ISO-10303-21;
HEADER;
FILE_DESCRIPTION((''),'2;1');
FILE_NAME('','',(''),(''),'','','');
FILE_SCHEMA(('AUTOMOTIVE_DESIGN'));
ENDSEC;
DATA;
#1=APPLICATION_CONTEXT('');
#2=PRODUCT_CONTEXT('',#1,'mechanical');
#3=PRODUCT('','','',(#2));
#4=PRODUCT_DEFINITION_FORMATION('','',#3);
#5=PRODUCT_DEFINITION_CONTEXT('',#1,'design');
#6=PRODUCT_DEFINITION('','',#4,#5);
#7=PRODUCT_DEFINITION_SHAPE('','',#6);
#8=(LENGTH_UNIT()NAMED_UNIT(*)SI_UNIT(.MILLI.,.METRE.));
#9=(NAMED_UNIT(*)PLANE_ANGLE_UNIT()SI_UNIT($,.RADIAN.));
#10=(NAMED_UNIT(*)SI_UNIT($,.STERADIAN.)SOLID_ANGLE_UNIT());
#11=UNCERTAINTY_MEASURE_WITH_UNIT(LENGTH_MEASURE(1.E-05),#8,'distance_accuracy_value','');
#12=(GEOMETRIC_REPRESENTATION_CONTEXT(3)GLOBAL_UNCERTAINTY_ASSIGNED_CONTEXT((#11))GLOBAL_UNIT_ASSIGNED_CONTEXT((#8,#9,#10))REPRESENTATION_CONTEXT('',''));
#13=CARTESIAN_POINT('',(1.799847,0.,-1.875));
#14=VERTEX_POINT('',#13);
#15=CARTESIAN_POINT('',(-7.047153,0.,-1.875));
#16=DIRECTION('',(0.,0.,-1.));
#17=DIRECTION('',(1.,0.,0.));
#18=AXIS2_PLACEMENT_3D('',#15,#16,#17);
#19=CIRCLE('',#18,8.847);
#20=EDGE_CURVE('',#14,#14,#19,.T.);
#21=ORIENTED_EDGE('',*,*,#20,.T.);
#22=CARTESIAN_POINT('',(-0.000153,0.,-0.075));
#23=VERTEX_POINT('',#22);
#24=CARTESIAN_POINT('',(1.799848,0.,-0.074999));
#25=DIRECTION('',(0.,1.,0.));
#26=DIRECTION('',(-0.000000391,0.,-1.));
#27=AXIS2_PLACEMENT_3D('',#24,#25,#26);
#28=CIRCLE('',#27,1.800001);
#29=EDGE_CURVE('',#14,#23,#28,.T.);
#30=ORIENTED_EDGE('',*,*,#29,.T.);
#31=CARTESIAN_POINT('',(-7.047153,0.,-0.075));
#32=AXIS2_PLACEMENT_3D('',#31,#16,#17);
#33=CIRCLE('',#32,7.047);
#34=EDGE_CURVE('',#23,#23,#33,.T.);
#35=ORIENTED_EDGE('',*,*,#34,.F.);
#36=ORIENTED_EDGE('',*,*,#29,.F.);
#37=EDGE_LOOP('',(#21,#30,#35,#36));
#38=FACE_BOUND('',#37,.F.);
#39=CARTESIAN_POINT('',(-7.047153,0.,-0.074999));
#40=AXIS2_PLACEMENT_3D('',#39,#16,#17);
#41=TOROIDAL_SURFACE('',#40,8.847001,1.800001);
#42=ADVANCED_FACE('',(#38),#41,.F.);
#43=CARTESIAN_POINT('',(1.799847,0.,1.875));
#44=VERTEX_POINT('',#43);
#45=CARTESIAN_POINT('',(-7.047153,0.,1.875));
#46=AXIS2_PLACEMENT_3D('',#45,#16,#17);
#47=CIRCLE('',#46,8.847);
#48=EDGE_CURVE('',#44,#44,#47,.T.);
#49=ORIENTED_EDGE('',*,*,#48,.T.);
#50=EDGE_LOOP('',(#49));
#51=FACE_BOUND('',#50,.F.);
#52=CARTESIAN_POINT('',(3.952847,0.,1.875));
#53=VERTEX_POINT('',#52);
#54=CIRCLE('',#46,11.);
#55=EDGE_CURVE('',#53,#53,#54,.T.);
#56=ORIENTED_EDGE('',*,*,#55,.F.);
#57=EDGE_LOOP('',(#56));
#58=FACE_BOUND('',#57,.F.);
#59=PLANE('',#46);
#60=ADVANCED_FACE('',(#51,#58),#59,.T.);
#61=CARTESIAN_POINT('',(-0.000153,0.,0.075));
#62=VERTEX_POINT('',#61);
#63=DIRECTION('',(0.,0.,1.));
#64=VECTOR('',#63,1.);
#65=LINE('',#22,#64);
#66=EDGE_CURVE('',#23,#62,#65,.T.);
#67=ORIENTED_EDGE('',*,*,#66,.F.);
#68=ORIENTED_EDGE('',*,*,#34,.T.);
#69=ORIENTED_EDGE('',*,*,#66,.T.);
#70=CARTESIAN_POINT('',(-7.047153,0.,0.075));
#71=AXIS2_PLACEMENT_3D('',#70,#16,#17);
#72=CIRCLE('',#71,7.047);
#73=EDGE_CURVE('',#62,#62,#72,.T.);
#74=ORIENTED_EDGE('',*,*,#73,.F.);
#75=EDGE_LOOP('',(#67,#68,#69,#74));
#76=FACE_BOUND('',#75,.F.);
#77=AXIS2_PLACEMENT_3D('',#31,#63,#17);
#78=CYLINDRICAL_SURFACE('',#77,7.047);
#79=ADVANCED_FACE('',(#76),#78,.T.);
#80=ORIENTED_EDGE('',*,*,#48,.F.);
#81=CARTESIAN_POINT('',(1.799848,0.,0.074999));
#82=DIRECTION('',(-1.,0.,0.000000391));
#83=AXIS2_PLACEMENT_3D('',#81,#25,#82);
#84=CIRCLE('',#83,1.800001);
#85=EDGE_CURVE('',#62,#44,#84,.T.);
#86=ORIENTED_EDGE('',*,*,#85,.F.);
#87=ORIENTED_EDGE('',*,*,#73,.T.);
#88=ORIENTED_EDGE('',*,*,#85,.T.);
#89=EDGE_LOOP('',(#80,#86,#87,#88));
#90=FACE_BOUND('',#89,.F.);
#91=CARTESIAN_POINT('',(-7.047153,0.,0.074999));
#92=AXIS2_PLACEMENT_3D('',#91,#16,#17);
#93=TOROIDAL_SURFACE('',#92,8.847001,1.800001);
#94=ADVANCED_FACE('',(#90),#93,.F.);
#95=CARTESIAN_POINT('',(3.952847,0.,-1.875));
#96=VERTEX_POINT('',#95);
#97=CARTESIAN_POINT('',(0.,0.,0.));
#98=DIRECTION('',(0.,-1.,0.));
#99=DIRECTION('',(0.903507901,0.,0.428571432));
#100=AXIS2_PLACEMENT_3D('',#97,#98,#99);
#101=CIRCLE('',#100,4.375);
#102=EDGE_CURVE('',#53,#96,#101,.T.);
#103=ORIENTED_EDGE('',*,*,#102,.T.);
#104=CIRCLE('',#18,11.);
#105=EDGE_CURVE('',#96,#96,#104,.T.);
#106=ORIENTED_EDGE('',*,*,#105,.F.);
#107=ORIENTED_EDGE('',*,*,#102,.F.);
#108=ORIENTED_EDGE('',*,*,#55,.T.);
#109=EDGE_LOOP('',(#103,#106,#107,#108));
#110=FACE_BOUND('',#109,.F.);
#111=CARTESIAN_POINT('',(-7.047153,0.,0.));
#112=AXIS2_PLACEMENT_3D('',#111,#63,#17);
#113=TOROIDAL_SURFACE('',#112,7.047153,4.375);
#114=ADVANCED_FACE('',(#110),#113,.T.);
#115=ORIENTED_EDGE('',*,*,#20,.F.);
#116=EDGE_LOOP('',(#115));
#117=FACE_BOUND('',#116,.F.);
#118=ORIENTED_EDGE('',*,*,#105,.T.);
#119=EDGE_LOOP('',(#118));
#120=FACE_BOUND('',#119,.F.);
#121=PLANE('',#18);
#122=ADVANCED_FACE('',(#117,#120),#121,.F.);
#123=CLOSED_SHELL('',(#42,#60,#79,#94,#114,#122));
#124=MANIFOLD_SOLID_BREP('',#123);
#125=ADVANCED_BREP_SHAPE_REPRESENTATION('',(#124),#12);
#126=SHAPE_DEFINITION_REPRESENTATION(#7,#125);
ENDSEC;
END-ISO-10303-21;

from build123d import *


with BuildPart() as f1:
    # F0 (on Front) → F1 (revolve)
    with BuildSketch(Plane.XZ):
        with BuildLine():
            Line((1.799847, 1.875), (3.952847, 1.875))
            ThreePointArc((3.952847, 1.875), (-4.375, 0), (3.952847, -1.875))
            Line((3.952847, -1.875), (1.799847, -1.875))
            ThreePointArc((1.799847, -1.875), (0.527055, -1.347792), (-0.000153, -0.075))
            Line((-0.000153, -0.075), (-0.000153, 0.075))
            ThreePointArc((-0.000153, 0.075), (0.527055, 1.347792), (1.799847, 1.875))
        make_face()
    revolve(axis=Axis((-7.047153, 0, 0), (0, 0, -1)))


solid = f1.part
